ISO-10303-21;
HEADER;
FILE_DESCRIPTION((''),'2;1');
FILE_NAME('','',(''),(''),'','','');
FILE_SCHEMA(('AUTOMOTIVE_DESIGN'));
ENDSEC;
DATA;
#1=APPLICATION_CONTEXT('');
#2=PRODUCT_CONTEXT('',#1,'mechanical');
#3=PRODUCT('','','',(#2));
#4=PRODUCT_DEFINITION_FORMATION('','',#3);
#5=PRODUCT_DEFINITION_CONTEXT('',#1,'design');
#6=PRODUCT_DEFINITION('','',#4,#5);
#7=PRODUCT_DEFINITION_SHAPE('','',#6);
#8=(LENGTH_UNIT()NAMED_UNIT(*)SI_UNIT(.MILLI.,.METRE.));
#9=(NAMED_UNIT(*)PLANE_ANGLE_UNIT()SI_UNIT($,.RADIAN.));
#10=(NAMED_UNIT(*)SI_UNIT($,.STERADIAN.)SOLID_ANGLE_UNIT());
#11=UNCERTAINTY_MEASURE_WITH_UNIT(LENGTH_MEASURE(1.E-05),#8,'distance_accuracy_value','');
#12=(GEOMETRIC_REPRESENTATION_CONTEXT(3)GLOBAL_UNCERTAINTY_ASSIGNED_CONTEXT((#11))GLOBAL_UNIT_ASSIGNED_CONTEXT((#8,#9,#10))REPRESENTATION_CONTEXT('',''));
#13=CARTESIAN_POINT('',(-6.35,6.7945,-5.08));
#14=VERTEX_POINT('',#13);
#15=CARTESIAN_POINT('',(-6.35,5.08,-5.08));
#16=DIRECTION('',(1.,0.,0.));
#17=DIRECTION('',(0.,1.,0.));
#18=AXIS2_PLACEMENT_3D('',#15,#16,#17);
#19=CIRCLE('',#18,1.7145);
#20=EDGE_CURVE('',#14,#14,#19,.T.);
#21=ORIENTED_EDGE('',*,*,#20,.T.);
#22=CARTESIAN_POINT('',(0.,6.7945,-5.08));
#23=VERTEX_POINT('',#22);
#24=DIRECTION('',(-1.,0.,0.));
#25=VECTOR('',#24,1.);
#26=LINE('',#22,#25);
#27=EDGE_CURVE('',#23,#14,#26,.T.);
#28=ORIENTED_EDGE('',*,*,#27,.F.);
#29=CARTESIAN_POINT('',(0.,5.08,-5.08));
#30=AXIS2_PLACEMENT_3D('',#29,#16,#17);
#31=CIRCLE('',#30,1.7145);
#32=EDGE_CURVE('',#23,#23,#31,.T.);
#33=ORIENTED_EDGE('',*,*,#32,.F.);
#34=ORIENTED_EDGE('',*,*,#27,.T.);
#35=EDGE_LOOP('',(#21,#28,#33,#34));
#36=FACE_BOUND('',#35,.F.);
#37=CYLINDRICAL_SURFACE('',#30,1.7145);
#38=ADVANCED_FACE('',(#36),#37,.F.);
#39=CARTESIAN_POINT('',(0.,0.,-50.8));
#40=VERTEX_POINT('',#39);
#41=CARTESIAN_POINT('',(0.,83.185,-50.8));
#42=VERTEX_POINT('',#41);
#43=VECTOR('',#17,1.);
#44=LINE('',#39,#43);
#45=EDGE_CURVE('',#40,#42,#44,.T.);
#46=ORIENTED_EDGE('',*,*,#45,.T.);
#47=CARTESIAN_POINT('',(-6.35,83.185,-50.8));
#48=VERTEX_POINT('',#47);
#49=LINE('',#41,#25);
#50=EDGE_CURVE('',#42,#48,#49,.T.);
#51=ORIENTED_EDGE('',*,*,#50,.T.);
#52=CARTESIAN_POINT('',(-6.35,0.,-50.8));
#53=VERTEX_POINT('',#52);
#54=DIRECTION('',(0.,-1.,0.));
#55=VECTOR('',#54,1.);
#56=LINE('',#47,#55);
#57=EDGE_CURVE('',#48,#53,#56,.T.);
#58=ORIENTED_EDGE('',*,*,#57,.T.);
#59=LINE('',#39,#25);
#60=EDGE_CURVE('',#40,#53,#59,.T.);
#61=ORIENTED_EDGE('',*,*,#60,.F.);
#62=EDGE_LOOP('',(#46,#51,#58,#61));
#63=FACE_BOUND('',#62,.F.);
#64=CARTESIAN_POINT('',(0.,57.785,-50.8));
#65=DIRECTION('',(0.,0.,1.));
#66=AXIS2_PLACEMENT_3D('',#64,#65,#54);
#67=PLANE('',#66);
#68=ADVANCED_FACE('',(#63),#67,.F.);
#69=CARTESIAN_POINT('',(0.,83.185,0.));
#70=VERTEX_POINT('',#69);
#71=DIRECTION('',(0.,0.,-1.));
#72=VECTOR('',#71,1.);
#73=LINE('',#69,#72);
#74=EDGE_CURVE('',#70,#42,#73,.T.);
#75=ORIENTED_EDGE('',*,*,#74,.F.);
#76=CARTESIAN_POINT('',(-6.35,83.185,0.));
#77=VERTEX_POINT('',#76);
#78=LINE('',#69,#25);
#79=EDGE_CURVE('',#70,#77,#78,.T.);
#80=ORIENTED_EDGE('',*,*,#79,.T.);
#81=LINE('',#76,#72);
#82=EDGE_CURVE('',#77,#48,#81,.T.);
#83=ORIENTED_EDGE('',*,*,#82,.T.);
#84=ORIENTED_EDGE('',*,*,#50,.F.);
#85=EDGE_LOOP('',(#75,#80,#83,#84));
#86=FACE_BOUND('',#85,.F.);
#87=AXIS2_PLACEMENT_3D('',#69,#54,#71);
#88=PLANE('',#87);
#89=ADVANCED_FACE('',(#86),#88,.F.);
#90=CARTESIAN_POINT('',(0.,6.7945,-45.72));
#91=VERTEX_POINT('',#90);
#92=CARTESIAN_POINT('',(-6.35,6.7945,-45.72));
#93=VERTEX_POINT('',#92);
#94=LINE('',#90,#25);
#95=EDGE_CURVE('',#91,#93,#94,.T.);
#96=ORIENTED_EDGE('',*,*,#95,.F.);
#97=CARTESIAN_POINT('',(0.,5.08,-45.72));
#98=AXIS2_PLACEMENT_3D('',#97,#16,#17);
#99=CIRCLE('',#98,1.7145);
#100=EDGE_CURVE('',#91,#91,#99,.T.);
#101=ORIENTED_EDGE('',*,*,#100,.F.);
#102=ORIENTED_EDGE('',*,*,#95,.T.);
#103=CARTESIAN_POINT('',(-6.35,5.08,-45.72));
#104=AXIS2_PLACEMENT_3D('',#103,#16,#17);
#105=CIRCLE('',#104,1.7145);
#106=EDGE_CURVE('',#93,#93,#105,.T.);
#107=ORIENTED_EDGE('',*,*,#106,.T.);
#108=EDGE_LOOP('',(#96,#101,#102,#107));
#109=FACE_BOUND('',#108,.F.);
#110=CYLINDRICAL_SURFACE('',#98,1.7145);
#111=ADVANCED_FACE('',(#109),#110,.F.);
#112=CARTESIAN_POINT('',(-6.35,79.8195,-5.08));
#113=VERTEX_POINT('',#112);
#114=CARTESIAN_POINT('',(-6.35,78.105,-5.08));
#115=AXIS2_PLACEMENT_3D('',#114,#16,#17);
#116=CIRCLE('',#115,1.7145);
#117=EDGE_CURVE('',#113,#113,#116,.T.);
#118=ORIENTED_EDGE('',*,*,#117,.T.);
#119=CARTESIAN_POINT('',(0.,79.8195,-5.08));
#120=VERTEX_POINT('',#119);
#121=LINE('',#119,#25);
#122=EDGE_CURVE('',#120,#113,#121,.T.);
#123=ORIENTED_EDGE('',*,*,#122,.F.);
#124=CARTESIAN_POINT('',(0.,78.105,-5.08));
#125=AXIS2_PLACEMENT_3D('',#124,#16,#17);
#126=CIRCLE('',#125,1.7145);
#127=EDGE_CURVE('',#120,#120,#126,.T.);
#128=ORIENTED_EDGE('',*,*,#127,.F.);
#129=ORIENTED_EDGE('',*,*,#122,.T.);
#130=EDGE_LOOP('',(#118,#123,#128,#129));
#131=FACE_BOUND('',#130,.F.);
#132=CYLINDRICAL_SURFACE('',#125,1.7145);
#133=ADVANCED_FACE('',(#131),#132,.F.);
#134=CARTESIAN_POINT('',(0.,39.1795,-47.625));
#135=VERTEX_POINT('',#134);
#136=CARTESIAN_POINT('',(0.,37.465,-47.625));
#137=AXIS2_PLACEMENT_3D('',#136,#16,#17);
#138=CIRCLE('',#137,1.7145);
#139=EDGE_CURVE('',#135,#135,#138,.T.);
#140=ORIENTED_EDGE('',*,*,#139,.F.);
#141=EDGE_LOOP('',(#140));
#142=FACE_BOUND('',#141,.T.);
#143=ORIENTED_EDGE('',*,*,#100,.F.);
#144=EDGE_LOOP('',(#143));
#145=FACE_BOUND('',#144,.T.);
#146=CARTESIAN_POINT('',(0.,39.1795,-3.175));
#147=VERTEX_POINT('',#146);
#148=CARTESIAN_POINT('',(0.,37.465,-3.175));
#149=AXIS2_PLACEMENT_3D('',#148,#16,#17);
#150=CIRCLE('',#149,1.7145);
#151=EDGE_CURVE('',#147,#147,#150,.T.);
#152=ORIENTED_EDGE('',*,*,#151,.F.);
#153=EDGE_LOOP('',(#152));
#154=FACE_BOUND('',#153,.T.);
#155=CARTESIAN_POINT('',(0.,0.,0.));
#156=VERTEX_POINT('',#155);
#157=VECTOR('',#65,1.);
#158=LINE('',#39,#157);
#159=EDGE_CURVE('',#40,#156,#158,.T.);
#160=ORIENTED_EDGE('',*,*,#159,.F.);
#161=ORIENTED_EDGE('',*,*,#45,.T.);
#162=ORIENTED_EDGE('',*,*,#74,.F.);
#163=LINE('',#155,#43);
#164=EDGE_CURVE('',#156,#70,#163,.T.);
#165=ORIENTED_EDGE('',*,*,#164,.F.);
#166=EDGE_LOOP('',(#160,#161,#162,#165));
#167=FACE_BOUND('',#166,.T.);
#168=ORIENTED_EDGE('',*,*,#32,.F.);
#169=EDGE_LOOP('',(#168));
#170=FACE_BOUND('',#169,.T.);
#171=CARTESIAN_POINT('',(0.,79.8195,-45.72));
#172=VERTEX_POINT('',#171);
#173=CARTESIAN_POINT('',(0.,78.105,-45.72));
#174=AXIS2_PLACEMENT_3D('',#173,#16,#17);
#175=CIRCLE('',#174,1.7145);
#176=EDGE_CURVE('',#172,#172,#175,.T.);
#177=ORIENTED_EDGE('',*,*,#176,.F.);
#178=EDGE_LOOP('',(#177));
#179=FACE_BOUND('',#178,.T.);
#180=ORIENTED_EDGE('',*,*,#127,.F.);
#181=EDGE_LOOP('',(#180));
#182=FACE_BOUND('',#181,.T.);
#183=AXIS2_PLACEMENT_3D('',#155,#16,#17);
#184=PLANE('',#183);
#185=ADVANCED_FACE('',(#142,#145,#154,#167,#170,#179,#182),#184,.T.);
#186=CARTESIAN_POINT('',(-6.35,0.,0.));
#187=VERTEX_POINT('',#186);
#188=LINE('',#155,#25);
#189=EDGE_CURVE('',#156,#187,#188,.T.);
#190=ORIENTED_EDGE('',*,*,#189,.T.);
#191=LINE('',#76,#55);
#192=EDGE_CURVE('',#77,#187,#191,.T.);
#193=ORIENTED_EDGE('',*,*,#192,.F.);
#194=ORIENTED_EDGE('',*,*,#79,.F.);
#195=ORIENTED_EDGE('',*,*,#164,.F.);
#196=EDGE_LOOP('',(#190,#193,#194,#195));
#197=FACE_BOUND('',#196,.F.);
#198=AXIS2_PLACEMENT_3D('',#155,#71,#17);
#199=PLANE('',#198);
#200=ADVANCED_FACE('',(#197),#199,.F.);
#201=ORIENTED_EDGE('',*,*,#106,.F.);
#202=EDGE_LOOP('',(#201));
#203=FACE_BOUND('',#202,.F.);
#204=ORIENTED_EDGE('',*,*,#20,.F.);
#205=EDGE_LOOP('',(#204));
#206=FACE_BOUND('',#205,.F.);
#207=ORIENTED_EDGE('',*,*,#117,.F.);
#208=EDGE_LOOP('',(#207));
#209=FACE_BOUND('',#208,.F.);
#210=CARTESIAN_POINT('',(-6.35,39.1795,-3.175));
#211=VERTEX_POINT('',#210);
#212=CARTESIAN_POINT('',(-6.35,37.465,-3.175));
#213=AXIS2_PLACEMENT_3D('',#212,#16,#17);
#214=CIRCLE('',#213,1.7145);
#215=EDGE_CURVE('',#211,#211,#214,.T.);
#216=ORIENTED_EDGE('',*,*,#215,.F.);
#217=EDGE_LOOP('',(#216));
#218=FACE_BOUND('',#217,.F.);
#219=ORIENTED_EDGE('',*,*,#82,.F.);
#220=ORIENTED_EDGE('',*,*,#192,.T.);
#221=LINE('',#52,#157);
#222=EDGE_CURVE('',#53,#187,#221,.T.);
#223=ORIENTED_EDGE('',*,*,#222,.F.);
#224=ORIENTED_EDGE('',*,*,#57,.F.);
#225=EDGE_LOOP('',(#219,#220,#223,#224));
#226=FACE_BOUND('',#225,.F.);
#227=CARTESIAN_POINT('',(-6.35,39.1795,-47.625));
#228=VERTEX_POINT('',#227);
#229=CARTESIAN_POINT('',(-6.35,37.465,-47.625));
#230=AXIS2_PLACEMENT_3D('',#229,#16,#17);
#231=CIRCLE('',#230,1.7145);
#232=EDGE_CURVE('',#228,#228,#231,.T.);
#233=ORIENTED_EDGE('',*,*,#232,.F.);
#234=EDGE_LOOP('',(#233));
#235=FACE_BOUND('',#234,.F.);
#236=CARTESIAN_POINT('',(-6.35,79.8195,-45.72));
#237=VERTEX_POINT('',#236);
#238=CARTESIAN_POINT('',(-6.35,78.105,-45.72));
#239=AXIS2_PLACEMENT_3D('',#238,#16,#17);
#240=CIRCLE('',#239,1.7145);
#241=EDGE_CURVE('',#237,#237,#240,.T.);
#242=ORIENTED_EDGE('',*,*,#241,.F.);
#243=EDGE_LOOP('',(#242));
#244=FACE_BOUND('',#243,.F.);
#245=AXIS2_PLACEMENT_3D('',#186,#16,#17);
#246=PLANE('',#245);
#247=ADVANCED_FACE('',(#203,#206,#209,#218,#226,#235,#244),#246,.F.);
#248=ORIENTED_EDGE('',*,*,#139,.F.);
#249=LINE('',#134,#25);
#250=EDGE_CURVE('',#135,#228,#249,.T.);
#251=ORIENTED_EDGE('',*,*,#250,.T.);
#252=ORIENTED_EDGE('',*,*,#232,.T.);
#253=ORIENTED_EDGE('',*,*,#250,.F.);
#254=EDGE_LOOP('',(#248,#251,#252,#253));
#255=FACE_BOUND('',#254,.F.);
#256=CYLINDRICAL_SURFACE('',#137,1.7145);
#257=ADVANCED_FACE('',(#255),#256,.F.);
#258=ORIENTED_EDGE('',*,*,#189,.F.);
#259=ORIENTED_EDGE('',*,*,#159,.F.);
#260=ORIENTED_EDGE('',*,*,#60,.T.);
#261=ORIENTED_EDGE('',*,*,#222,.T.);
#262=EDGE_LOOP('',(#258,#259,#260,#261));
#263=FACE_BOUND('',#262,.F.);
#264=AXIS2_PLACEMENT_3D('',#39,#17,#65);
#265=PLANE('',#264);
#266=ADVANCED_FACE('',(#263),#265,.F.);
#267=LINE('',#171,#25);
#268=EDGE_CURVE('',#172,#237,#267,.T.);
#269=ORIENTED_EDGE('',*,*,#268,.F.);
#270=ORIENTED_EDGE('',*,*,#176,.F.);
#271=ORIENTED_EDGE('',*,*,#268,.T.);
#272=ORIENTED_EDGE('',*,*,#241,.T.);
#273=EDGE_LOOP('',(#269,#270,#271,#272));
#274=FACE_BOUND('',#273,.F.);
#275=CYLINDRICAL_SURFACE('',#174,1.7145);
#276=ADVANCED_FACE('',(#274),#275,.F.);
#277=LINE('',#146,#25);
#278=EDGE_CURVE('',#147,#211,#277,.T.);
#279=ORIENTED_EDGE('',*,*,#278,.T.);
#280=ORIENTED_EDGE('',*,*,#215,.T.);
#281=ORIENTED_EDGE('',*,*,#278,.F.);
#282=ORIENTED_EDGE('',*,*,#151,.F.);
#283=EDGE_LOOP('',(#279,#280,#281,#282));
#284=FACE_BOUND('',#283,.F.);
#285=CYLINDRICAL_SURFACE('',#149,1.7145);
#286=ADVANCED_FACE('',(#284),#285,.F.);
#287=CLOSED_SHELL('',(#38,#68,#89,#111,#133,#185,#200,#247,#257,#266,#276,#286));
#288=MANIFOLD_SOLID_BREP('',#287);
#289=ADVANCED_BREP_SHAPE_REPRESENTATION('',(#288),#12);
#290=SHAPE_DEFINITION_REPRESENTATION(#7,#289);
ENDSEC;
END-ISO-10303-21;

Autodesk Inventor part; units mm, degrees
ref_plane "YZ Plane" through (0, 0, 0) normal (1, 0, 0) x (0, 1, 0)
ref_plane "XZ Plane" through (0, 0, 0) normal (0, 1, 0) x (-1, 0, 0)
ref_plane "XY Plane" through (0, 0, 0) normal (0, 0, 1) x (1, 0, 0)
sketch "Sketch1" plane through (0, 0, 0) normal (1, 0, 0) x (0, 1, 0)
  line L0 (0, 0) -> (83.185, 0)
  line L1 (83.185, 0) -> (83.185, -50.8)
  line L2 (83.185, -50.8) -> (0, -50.8)
  line L3 (0, -50.8) -> (0, 0)
  arc A0 (57.785, -44.45) -> (57.785, -6.35) centre (57.785, -25.4) ccw
  arc A1 (14.2875, -6.35) -> (6.35, -14.2875) centre (14.2875, -14.2875) ccw
  arc A2 (6.35, -36.5125) -> (14.2875, -44.45) centre (14.2875, -36.5125) ccw
  line L4 (14.2875, -44.45) -> (57.785, -44.45)
  line L5 (14.2875, -6.35) -> (57.785, -6.35)
  line L6 (6.35, -14.2875) -> (6.35, -36.5125)
  line L7 (57.785, 0) -> (57.785, -50.8)
  circle A3 centre (37.465, -3.175) radius 1.7145
  circle A4 centre (37.465, -47.625) radius 1.7145
  circle A5 centre (5.08, -45.72) radius 1.7145
  circle A6 centre (5.08, -5.08) radius 1.7145
  circle A7 centre (78.105, -5.08) radius 1.7145
  circle A8 centre (78.105, -45.72) radius 1.7145
  dimension "d0" = 83.185
  dimension "d1" = 50.8
  dimension "d2" = 38.1
  dimension "d3" = 25.4
  dimension "d4" = 25.4
  dimension "d5" = 15.875
  dimension "d6" = 15.875
  dimension "d7" = 14.2875
  dimension "d8" = 14.2875
  dimension "d9" = 14.2875
  dimension "d10" = 14.2875
  dimension "d19" = 25.4
  dimension "d20" = 3.175
  dimension "d21" = 3.175
  dimension "d28" = 3.429
  dimension "d29" = 5.08
  dimension "d30" = 5.08
  dimension "d31" = 45.72
  dimension "d32" = 45.72
  dimension "d33" = 3.429
  dimension "d34" = 3.429
  dimension "d35" = 5.08
  dimension "d36" = 5.08
  dimension "d37" = 5.08
  dimension "d38" = 5.08
  dimension "d39" = 5.08
  dimension "d40" = 5.08
extrude "Extrusion1" add sketch "Sketch1" against normal blind 6.35
properties part number "Engine Head Top"
